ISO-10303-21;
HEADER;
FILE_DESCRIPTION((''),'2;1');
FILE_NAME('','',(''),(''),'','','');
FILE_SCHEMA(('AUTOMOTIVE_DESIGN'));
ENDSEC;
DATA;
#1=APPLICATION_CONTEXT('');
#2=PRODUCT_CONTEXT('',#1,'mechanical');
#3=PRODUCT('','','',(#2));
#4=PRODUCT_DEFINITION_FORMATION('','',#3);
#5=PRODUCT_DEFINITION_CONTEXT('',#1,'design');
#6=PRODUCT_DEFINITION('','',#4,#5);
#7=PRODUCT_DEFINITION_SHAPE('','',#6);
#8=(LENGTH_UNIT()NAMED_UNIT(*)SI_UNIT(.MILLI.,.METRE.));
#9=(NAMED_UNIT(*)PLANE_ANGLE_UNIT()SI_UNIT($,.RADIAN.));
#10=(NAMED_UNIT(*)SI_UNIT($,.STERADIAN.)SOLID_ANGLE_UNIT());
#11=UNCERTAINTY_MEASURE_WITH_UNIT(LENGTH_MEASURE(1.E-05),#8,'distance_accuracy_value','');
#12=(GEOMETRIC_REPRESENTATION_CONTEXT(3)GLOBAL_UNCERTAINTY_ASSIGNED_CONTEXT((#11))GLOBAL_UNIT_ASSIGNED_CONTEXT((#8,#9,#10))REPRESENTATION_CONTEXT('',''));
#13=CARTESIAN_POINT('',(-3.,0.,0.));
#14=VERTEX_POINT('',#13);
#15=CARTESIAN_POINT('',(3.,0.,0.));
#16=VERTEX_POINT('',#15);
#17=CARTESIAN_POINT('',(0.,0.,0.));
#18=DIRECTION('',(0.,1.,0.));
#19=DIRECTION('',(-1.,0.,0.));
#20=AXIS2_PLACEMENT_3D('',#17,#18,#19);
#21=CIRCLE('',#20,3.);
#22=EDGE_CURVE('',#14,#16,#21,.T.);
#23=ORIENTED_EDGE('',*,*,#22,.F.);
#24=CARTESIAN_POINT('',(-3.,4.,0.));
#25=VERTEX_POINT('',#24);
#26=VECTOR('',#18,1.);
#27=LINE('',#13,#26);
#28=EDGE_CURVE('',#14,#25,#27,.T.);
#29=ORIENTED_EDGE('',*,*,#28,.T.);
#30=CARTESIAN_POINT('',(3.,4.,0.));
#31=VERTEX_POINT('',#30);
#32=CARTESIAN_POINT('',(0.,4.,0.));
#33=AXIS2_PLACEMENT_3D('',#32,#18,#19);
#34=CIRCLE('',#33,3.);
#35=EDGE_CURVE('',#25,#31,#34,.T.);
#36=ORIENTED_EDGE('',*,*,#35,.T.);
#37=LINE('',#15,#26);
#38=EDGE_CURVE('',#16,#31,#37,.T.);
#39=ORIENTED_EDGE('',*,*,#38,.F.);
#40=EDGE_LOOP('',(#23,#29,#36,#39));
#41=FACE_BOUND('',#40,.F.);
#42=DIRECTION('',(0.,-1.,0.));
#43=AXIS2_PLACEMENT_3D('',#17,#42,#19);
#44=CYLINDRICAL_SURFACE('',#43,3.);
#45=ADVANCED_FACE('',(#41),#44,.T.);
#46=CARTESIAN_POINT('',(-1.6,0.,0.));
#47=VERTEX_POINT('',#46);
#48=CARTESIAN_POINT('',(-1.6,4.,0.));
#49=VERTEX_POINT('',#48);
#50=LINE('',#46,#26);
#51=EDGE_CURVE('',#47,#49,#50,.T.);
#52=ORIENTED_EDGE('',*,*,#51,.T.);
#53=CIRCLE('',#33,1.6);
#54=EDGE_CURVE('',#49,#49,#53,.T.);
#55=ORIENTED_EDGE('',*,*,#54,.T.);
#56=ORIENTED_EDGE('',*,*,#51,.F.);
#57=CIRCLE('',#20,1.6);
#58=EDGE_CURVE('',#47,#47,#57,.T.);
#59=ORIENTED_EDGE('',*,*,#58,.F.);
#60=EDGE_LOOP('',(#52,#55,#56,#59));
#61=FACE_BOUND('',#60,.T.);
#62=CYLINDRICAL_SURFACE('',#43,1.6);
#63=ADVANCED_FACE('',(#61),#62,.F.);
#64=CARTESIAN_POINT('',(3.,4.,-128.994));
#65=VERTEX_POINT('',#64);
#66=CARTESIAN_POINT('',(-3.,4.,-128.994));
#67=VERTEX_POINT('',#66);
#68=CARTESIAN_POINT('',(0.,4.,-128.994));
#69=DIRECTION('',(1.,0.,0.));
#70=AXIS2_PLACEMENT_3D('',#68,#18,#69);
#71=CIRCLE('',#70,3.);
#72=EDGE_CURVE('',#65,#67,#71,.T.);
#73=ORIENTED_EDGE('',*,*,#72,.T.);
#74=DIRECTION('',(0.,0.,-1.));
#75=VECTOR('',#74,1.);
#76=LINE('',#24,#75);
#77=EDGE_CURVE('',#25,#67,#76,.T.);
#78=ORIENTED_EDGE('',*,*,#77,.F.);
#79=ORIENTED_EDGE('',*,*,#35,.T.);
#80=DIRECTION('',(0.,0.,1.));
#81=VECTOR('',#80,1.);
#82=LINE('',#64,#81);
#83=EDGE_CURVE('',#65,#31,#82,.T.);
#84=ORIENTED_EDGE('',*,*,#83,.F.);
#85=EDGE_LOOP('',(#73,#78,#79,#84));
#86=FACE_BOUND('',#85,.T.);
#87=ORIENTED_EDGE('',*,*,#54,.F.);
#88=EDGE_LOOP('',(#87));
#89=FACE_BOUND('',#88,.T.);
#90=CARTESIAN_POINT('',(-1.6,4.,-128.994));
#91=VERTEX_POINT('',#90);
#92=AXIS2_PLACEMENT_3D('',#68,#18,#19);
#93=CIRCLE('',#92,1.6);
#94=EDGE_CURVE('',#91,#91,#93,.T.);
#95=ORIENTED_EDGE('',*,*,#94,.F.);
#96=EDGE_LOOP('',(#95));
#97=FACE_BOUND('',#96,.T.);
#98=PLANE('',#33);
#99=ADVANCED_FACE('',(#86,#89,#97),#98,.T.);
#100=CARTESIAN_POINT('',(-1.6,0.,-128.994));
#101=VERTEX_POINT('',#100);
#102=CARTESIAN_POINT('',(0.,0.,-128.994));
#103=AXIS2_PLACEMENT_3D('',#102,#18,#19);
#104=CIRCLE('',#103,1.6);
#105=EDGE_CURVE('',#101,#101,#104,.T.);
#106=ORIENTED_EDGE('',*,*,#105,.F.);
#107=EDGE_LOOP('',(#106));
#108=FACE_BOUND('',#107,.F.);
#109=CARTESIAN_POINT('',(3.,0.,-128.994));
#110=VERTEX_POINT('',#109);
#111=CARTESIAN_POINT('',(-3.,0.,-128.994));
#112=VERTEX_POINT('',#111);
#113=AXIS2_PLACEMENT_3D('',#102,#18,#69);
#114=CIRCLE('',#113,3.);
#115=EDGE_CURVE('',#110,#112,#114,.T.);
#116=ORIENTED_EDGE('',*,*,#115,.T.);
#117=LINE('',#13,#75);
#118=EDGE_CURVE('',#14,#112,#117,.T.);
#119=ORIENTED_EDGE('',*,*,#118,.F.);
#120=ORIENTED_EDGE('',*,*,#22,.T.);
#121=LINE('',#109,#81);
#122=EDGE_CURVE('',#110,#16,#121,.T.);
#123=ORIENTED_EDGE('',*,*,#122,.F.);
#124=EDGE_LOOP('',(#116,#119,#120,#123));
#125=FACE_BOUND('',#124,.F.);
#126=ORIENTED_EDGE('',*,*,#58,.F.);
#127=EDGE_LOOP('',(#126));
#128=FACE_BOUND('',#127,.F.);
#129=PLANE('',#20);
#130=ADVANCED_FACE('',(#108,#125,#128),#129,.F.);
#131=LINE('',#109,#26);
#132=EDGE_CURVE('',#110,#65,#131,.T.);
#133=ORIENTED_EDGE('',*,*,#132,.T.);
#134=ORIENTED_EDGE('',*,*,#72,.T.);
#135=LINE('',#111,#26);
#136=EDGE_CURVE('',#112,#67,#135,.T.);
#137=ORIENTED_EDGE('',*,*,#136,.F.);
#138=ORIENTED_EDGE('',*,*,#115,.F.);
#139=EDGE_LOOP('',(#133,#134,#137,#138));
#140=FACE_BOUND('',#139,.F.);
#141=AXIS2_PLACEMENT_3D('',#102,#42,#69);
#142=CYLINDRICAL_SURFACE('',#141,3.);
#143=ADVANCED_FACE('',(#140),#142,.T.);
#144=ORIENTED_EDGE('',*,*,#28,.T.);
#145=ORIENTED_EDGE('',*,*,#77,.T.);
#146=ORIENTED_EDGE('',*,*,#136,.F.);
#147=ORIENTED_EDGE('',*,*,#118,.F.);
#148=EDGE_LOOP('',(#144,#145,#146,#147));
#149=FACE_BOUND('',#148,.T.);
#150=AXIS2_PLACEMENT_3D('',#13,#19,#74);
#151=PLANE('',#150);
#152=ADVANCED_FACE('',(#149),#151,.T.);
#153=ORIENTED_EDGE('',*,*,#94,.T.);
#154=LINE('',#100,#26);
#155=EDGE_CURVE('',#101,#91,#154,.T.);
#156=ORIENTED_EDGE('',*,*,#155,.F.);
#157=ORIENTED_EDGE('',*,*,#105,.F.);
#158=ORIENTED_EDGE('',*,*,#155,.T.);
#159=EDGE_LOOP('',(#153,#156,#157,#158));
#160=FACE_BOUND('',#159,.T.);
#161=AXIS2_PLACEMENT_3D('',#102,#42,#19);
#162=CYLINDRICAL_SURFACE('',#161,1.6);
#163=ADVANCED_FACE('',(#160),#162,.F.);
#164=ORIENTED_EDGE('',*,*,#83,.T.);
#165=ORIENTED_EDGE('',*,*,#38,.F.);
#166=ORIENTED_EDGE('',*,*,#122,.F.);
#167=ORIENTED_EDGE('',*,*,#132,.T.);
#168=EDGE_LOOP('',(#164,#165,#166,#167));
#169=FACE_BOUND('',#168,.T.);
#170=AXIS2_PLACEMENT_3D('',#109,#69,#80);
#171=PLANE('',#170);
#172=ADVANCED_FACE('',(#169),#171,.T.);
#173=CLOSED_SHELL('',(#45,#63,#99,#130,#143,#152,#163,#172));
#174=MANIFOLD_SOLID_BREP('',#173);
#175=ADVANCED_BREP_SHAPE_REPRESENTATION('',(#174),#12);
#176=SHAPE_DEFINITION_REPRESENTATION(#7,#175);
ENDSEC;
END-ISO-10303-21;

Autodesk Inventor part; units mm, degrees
ref_plane "YZ Plane" through (0, 0, 0) normal (1, 0, 0) x (0, 1, 0)
ref_plane "XZ Plane" through (0, 0, 0) normal (0, 1, 0) x (-1, 0, 0)
ref_plane "XY Plane" through (0, 0, 0) normal (0, 0, 1) x (1, 0, 0)
sketch "Sketch1" plane through (0, 0, 0) normal (0, 1, 0) x (-1, 0, 0)
  line L0 (0, 0) -> (0, -128.994) construction
  line L1 (3, 0) -> (3, -128.994)
  line L2 (-3, -128.994) -> (-3, 0)
  arc A0 (3, 0) -> (-3, 0) centre (0, 0) ccw
  arc A1 (-3, -128.994) -> (3, -128.994) centre (0, -128.994) ccw
  circle A2 centre (0, 0) radius 1.6
  circle A3 centre (0, -128.994) radius 1.6
  point P0 (0, -64.497)
  dimension "d0" = 3.2
  dimension "d1" = 3.2
  dimension "d2" = 6
  dimension "d3" = 128.994
extrude "Extrusion1" add sketch "Sketch1" along normal blind 4
